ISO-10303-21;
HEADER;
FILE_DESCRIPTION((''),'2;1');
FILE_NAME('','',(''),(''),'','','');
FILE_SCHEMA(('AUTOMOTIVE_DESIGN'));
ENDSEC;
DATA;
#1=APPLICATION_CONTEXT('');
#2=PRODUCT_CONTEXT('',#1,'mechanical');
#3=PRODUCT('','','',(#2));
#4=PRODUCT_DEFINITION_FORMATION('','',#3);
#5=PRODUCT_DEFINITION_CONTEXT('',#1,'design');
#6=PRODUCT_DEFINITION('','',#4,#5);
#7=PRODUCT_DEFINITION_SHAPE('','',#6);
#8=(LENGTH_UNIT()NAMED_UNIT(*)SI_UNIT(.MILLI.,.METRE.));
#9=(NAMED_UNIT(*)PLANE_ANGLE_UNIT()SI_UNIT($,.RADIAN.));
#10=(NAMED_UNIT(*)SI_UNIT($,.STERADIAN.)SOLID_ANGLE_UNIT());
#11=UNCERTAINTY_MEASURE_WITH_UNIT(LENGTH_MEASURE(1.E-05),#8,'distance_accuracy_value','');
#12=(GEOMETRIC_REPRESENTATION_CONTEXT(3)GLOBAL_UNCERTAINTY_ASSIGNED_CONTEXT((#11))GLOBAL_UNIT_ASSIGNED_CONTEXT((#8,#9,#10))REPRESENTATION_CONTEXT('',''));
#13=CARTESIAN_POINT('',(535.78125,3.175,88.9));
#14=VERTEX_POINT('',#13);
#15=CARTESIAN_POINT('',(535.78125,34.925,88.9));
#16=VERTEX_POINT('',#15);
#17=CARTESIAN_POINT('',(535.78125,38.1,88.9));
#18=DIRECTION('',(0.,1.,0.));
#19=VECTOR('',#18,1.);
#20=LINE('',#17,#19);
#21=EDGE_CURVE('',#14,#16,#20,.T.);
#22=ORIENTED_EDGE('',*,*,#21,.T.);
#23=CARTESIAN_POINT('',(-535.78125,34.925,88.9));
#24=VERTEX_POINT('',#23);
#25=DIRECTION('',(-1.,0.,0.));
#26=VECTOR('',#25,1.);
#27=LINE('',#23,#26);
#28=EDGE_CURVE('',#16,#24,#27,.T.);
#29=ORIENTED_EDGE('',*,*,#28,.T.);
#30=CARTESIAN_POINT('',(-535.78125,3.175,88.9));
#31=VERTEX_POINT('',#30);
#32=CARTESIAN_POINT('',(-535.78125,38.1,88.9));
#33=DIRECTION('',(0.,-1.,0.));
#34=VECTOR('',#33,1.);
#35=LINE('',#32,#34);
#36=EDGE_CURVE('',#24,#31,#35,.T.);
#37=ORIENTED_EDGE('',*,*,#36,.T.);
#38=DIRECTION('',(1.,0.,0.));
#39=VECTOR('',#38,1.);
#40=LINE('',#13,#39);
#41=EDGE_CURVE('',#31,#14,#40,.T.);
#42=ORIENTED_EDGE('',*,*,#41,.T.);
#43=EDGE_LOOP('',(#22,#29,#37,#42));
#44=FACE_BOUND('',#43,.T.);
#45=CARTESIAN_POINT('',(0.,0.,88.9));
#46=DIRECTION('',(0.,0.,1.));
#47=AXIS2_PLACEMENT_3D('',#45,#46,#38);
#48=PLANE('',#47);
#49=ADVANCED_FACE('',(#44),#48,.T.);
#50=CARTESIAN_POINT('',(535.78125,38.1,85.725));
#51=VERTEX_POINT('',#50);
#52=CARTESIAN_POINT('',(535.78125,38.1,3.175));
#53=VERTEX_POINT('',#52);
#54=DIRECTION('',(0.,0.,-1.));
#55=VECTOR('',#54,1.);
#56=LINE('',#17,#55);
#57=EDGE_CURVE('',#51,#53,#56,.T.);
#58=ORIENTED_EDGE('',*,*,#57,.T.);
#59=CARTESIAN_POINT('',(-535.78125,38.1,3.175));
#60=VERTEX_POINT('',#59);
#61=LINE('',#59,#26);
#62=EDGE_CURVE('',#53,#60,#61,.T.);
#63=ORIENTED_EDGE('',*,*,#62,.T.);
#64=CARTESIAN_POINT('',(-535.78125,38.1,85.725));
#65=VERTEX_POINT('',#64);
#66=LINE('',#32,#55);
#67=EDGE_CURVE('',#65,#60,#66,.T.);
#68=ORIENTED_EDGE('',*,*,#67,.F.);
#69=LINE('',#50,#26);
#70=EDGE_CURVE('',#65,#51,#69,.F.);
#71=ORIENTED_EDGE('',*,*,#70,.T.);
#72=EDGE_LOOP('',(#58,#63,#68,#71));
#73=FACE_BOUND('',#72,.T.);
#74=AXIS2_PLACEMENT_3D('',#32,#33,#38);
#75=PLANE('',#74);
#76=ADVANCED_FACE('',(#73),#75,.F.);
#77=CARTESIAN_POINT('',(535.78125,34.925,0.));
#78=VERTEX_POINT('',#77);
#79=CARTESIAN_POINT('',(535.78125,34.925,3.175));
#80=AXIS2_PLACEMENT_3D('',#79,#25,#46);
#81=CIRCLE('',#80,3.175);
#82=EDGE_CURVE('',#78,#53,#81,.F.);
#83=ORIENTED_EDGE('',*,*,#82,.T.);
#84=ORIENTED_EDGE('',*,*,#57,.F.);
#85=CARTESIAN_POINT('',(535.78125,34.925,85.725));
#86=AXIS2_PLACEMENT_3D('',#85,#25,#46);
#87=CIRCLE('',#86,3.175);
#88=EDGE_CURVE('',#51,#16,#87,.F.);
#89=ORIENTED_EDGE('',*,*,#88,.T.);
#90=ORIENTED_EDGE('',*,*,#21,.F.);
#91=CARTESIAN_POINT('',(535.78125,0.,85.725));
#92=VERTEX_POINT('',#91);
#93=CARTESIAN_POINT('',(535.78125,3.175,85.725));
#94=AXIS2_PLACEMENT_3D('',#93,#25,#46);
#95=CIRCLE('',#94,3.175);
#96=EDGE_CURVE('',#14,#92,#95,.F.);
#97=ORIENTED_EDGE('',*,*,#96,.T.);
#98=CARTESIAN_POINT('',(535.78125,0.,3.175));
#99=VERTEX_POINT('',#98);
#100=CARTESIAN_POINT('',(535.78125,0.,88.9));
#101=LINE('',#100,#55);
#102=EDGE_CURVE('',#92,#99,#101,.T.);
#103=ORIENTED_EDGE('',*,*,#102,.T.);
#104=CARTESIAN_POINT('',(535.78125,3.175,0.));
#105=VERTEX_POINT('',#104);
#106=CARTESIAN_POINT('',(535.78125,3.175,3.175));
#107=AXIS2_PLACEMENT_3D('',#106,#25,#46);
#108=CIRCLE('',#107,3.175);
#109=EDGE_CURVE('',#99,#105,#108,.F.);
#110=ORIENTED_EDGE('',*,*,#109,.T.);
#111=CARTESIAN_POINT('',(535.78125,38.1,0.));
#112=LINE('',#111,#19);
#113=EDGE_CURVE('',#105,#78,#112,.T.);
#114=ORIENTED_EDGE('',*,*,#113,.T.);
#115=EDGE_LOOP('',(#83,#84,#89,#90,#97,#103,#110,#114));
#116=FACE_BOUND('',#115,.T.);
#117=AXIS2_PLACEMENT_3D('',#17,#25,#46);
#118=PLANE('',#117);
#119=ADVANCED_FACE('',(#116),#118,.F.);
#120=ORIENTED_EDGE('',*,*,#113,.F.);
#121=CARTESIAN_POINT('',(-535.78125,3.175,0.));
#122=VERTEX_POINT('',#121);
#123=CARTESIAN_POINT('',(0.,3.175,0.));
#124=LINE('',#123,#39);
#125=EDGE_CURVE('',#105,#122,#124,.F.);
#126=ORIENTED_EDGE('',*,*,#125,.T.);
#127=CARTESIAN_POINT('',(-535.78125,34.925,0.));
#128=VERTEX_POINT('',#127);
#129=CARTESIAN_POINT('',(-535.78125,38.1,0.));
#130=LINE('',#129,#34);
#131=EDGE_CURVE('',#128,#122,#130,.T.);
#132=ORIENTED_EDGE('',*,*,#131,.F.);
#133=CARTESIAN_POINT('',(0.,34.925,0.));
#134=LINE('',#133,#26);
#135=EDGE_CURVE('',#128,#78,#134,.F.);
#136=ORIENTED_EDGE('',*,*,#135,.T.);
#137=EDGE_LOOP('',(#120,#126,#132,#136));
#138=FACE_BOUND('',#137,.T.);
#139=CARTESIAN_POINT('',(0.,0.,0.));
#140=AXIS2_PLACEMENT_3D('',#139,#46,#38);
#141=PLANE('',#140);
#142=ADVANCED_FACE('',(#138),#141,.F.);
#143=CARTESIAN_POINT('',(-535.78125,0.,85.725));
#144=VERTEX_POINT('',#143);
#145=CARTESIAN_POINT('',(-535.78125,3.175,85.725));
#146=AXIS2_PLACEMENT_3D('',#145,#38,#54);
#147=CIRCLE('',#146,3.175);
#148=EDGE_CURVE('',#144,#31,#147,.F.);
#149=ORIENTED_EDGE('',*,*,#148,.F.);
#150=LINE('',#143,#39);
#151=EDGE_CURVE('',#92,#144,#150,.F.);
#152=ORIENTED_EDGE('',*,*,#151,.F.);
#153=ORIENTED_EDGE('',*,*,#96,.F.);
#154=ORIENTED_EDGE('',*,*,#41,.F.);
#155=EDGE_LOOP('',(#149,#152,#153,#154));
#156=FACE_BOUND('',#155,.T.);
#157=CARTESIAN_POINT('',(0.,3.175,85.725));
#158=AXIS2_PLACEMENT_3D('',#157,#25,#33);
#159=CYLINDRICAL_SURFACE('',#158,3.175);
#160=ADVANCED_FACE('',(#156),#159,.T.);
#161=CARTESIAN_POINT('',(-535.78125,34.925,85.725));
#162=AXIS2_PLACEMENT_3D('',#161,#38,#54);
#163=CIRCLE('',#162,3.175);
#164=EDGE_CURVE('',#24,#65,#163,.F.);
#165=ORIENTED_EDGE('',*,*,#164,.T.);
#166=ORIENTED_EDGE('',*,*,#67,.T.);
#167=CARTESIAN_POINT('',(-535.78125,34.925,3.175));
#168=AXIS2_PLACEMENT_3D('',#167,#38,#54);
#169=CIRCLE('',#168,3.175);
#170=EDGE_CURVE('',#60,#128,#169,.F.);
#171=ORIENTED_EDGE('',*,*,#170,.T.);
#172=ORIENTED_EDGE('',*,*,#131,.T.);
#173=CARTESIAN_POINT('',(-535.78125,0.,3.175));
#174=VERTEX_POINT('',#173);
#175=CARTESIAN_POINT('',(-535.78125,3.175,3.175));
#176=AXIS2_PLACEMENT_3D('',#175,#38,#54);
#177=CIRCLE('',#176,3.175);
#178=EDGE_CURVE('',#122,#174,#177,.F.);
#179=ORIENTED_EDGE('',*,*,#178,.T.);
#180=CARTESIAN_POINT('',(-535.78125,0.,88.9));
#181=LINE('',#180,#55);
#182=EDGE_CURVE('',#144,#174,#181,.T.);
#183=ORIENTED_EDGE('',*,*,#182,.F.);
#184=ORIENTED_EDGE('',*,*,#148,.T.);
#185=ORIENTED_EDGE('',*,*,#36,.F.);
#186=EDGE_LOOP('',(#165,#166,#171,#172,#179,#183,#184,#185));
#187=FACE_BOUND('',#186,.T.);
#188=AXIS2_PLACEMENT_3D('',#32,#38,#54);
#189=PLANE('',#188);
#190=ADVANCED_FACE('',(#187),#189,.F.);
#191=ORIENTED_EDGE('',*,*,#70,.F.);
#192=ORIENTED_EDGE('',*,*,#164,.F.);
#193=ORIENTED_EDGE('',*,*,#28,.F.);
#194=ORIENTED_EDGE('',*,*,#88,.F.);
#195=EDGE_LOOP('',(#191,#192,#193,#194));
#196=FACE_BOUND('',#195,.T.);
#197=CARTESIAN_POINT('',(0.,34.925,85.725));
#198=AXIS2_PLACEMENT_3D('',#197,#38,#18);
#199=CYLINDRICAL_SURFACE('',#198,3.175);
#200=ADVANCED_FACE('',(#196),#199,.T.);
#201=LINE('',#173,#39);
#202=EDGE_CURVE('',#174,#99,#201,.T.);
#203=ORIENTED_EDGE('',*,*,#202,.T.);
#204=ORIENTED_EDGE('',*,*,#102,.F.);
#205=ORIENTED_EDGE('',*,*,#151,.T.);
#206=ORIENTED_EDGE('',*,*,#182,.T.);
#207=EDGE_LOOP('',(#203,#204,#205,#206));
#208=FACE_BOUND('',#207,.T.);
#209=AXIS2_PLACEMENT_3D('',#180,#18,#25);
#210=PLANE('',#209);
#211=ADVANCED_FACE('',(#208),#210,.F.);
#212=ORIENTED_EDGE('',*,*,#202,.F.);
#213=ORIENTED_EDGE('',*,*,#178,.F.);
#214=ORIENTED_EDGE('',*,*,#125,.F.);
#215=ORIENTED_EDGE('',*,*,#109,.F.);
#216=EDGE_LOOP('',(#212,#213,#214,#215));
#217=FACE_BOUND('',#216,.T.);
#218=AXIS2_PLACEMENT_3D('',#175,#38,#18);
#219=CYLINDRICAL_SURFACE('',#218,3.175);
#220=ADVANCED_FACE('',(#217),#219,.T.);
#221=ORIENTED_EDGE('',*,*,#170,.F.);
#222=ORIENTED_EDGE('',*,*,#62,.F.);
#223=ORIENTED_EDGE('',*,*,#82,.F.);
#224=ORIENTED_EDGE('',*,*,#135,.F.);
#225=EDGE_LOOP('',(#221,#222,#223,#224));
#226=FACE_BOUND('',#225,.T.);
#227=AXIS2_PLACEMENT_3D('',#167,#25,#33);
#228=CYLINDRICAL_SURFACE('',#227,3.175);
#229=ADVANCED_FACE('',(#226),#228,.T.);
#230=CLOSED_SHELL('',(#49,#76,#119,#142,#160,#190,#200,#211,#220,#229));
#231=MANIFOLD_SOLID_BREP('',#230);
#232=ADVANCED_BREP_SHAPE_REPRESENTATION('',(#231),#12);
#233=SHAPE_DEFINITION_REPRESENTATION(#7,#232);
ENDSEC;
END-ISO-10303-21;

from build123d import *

# Parameters (mm, degrees)
SKETCH1_W           = 1071.5625
SKETCH1_H           = 38.1
BOSS_EXTRUDE1_DEPTH = 88.9
FILLET1_R           = 3.175


with BuildPart() as part:
    # Sketch1 → Boss-Extrude1 (new body)
    with BuildSketch(Plane.XY):
        with Locations((0, 19.05)):
            Rectangle(SKETCH1_W, SKETCH1_H)
    extrude(amount=BOSS_EXTRUDE1_DEPTH)

    # Fillet1
    fillet1_edges = [part.edges().sort_by_distance(p)[0] for p in [
        (0, 38.1, 88.9),
        (0, 38.1, 0),
        (0, 0, 0),
        (0, 0, 88.9),
    ]]
    fillet(fillet1_edges, radius=FILLET1_R)


solid = part.part
